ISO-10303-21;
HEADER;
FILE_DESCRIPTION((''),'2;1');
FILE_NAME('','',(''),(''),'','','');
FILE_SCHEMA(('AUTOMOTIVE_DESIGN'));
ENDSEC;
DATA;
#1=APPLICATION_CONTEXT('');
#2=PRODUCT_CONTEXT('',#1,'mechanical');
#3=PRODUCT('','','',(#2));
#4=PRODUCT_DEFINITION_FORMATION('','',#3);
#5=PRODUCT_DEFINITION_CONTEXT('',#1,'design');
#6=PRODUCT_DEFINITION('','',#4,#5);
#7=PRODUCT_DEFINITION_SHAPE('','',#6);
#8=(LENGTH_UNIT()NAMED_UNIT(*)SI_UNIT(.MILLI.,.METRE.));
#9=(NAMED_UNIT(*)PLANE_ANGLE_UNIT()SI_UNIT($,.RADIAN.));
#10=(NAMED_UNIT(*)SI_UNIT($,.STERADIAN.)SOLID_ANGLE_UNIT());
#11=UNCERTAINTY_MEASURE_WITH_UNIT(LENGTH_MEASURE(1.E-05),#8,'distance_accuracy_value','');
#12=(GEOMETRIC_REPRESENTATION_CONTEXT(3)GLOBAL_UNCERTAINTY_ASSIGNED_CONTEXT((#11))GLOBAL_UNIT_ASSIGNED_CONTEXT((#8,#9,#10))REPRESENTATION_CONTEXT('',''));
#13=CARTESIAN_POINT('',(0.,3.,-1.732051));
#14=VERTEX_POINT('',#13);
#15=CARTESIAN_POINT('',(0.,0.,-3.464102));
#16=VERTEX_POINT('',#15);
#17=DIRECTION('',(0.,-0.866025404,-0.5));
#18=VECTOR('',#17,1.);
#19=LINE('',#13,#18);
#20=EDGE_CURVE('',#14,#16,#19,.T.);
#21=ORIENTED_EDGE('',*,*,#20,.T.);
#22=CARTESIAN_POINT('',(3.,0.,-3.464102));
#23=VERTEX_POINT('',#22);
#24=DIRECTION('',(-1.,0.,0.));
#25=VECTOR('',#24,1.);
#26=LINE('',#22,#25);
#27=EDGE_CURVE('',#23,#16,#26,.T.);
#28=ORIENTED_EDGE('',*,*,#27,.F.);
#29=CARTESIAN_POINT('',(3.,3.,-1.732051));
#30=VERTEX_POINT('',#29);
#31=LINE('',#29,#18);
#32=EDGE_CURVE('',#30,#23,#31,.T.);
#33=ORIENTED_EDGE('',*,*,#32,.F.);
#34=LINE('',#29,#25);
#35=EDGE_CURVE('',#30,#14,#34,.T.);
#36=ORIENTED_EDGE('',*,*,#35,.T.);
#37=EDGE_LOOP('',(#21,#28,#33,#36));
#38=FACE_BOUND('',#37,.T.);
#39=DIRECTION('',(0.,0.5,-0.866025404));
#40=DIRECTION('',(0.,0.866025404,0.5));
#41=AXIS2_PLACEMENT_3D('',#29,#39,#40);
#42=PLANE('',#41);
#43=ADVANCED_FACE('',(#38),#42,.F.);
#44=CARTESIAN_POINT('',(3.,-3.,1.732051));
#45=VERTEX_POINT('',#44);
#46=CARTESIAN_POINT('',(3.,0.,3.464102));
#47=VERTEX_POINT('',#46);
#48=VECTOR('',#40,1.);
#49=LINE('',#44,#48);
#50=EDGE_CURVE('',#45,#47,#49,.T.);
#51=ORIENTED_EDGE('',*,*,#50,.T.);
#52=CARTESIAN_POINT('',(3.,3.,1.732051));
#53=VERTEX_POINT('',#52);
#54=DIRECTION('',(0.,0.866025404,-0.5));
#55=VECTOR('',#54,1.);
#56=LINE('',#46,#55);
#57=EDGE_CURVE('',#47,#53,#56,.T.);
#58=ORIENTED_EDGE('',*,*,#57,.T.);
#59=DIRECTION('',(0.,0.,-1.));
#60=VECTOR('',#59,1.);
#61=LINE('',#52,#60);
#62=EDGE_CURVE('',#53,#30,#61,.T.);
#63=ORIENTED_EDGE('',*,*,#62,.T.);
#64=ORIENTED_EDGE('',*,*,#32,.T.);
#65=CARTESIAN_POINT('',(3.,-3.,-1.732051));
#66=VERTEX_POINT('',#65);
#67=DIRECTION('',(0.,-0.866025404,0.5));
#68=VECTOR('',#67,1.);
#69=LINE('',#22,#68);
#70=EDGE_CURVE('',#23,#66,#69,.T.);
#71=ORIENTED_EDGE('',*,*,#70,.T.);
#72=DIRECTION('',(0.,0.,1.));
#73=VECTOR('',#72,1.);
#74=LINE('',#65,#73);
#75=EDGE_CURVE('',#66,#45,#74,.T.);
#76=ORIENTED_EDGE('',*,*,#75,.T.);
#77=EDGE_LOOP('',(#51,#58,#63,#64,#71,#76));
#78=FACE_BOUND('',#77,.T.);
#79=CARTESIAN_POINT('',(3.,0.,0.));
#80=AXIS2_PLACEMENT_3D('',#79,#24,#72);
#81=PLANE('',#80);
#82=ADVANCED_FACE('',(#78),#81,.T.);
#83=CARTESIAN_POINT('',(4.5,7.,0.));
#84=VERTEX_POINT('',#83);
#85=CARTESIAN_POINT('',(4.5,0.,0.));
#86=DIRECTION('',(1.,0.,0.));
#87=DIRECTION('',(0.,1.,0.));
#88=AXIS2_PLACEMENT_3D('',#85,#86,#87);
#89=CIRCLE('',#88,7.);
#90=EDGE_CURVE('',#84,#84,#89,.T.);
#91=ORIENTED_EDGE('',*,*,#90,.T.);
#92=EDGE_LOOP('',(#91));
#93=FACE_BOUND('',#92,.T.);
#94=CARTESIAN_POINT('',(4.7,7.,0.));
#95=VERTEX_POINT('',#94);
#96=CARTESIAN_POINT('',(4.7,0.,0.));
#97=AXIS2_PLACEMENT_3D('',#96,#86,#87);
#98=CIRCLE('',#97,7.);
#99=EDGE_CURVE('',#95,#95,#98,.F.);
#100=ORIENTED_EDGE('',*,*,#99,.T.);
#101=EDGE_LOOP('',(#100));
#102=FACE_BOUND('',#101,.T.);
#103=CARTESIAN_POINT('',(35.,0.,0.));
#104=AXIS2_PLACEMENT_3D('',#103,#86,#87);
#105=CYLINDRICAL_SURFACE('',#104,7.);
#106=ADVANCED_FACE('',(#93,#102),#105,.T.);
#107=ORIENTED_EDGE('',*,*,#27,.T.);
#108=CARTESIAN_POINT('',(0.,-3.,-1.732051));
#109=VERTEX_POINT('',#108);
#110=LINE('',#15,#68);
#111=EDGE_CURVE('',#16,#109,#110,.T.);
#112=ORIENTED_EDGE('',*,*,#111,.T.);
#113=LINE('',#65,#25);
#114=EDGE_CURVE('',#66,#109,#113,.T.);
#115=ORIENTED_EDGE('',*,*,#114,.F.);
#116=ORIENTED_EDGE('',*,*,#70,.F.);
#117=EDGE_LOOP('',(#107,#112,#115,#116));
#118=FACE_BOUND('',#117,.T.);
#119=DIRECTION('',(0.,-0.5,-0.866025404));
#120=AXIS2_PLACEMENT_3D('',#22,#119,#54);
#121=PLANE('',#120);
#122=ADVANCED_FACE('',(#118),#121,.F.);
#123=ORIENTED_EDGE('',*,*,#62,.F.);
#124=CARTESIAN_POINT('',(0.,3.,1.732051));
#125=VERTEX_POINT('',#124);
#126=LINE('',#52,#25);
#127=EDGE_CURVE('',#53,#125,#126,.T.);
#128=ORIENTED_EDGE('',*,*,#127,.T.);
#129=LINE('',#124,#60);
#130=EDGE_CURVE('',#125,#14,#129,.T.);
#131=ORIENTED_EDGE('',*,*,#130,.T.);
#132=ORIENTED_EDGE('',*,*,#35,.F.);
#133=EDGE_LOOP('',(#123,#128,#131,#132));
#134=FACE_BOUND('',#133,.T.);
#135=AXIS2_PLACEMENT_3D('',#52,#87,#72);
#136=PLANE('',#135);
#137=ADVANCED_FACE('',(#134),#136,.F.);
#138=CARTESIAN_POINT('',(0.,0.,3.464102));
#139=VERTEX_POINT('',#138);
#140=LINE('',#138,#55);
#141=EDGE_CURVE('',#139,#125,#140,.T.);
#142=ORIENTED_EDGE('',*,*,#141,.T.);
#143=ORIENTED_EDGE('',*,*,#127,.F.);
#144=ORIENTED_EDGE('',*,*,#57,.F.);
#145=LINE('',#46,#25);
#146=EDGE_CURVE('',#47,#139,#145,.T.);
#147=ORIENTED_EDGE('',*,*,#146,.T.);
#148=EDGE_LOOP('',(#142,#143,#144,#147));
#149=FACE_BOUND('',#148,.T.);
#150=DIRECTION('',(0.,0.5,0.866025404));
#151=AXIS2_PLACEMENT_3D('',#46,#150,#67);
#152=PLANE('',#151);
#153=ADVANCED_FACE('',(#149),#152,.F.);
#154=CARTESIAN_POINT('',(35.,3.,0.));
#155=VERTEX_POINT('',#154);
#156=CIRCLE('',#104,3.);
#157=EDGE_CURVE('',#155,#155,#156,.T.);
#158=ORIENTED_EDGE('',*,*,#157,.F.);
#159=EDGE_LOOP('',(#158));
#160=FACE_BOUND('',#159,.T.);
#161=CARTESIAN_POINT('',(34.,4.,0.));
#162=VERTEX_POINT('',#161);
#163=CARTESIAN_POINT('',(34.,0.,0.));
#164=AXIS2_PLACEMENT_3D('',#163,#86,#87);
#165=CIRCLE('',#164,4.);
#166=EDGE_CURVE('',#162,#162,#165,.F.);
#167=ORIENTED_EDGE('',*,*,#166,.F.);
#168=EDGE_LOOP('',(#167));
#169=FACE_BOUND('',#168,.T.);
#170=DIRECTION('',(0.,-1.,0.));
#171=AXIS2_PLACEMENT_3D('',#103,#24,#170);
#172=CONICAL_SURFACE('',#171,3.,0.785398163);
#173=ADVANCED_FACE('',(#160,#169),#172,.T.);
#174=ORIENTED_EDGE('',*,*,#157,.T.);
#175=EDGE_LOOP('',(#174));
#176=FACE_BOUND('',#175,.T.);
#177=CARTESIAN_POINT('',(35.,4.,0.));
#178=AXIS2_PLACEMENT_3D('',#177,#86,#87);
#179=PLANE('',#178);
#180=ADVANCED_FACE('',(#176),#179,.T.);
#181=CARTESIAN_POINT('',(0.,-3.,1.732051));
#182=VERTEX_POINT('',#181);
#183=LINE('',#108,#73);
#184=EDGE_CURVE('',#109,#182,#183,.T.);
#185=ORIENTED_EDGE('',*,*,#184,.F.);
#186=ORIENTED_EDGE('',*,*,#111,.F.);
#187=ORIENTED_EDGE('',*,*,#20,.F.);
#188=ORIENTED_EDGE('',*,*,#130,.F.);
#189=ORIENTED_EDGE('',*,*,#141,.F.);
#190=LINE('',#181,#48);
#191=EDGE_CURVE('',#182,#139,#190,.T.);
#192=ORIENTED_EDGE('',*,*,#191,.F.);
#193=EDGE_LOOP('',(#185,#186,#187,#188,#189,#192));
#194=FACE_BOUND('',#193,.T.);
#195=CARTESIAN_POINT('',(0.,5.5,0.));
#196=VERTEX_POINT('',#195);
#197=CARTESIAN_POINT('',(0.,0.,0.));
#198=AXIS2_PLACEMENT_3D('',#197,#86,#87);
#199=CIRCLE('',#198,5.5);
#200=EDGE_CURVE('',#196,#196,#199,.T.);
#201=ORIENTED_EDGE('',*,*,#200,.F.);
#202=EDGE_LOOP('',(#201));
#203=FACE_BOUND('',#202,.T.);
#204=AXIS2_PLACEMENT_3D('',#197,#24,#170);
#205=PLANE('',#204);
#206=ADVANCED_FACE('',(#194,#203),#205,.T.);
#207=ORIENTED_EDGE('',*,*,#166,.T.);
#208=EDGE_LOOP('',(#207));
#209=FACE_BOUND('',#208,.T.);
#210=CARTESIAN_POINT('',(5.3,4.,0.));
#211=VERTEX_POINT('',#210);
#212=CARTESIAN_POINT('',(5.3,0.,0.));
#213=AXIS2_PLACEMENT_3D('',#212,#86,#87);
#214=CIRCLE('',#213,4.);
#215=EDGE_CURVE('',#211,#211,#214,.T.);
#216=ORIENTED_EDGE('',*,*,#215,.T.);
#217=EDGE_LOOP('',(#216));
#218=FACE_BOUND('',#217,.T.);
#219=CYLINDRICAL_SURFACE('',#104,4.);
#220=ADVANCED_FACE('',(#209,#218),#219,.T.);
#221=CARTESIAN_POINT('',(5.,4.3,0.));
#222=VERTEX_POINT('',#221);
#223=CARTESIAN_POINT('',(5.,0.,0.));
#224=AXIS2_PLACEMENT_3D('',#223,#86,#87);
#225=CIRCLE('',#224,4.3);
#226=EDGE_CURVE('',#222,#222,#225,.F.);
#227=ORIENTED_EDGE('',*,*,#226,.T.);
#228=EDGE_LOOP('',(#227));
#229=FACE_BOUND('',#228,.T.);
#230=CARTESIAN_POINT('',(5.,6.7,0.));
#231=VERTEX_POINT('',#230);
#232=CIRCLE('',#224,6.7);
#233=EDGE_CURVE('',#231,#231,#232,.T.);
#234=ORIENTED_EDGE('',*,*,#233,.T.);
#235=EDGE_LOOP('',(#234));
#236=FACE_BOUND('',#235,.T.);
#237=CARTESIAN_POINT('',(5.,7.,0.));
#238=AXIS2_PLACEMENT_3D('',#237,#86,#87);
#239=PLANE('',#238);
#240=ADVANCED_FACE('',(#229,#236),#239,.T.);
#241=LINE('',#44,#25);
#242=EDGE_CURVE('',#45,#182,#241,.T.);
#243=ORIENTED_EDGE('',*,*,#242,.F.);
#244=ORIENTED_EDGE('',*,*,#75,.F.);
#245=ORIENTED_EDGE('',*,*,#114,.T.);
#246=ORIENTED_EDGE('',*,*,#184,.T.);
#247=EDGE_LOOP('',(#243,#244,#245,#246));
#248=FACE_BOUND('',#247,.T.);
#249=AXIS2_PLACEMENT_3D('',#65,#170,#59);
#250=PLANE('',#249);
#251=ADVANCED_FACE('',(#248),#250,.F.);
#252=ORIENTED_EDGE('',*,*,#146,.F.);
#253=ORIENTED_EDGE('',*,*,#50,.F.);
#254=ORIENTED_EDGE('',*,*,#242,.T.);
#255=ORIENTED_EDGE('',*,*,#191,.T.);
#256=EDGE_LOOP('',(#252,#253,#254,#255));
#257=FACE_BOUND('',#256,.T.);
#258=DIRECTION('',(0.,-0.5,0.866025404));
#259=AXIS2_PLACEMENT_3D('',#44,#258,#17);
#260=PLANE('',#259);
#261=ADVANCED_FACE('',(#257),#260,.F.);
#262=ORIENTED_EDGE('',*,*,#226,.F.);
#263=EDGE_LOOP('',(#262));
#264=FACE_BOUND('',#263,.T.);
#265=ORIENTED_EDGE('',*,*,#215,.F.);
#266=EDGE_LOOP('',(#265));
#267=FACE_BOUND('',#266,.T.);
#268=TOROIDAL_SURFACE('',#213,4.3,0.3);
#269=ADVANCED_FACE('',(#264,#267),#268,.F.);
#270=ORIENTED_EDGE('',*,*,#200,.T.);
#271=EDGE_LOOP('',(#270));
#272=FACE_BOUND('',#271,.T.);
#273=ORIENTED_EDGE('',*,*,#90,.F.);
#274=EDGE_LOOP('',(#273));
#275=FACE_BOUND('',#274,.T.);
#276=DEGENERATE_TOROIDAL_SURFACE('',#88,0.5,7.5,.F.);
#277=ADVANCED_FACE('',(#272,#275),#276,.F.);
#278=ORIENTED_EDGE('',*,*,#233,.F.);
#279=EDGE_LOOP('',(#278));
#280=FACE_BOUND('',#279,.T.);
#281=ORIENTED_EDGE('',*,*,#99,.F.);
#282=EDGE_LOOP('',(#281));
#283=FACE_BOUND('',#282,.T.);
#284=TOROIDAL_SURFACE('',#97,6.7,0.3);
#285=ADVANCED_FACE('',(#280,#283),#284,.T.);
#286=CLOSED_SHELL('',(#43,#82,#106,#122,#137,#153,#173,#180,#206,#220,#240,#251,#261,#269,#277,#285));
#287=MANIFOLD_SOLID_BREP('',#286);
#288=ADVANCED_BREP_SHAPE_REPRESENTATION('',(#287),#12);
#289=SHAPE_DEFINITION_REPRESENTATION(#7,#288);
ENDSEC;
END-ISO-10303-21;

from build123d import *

# Parameters (mm, degrees)
CUT_EXTRUDE_1_DEPTH = 3
FILLET_1_R          = 0.3
CHAMFER_1_SIZE      = 1


with BuildPart() as part:
    # Эскиз1 → Повернуть1 (revolve)
    with BuildSketch(Plane.XY):
        with BuildLine():
            Line((0, 0), (0, 5.5))
            ThreePointArc((0, 5.5), (2.128291755, 6.615124735), (4.5, 7))
            Line((4.5, 7), (5, 7))
            Line((5, 7), (5, 4))
            Line((5, 4), (35, 4))
            Line((35, 4), (35, 0))
            Line((35, 0), (0, 0))
        make_face()
    revolve(axis=Axis((35, 0, 0), (-1, 0, 0)))

    # Эскиз2 → Вырез-Вытянуть1 (cut)
    with BuildSketch(Plane.ZY):
        Polygon((1.732050808, 3), (-1.732050808, 3), (-3.464101615, 0), (-1.732050808, -3), (1.732050808, -3), (3.464101615, 0), align=None)
    extrude(amount=-CUT_EXTRUDE_1_DEPTH, mode=Mode.SUBTRACT)

    # Скругление1
    fillet_1_edges = [part.edges().sort_by_distance(p)[0] for p in [
        (5, -4, 0),
        (5, -7, 0),
    ]]
    fillet(fillet_1_edges, radius=FILLET_1_R)

    # Фаска1
    chamfer_1_edges = [part.edges().sort_by_distance(p)[0] for p in [
        (35, -4, 0),
    ]]
    chamfer(chamfer_1_edges, length=CHAMFER_1_SIZE)


solid = part.part
